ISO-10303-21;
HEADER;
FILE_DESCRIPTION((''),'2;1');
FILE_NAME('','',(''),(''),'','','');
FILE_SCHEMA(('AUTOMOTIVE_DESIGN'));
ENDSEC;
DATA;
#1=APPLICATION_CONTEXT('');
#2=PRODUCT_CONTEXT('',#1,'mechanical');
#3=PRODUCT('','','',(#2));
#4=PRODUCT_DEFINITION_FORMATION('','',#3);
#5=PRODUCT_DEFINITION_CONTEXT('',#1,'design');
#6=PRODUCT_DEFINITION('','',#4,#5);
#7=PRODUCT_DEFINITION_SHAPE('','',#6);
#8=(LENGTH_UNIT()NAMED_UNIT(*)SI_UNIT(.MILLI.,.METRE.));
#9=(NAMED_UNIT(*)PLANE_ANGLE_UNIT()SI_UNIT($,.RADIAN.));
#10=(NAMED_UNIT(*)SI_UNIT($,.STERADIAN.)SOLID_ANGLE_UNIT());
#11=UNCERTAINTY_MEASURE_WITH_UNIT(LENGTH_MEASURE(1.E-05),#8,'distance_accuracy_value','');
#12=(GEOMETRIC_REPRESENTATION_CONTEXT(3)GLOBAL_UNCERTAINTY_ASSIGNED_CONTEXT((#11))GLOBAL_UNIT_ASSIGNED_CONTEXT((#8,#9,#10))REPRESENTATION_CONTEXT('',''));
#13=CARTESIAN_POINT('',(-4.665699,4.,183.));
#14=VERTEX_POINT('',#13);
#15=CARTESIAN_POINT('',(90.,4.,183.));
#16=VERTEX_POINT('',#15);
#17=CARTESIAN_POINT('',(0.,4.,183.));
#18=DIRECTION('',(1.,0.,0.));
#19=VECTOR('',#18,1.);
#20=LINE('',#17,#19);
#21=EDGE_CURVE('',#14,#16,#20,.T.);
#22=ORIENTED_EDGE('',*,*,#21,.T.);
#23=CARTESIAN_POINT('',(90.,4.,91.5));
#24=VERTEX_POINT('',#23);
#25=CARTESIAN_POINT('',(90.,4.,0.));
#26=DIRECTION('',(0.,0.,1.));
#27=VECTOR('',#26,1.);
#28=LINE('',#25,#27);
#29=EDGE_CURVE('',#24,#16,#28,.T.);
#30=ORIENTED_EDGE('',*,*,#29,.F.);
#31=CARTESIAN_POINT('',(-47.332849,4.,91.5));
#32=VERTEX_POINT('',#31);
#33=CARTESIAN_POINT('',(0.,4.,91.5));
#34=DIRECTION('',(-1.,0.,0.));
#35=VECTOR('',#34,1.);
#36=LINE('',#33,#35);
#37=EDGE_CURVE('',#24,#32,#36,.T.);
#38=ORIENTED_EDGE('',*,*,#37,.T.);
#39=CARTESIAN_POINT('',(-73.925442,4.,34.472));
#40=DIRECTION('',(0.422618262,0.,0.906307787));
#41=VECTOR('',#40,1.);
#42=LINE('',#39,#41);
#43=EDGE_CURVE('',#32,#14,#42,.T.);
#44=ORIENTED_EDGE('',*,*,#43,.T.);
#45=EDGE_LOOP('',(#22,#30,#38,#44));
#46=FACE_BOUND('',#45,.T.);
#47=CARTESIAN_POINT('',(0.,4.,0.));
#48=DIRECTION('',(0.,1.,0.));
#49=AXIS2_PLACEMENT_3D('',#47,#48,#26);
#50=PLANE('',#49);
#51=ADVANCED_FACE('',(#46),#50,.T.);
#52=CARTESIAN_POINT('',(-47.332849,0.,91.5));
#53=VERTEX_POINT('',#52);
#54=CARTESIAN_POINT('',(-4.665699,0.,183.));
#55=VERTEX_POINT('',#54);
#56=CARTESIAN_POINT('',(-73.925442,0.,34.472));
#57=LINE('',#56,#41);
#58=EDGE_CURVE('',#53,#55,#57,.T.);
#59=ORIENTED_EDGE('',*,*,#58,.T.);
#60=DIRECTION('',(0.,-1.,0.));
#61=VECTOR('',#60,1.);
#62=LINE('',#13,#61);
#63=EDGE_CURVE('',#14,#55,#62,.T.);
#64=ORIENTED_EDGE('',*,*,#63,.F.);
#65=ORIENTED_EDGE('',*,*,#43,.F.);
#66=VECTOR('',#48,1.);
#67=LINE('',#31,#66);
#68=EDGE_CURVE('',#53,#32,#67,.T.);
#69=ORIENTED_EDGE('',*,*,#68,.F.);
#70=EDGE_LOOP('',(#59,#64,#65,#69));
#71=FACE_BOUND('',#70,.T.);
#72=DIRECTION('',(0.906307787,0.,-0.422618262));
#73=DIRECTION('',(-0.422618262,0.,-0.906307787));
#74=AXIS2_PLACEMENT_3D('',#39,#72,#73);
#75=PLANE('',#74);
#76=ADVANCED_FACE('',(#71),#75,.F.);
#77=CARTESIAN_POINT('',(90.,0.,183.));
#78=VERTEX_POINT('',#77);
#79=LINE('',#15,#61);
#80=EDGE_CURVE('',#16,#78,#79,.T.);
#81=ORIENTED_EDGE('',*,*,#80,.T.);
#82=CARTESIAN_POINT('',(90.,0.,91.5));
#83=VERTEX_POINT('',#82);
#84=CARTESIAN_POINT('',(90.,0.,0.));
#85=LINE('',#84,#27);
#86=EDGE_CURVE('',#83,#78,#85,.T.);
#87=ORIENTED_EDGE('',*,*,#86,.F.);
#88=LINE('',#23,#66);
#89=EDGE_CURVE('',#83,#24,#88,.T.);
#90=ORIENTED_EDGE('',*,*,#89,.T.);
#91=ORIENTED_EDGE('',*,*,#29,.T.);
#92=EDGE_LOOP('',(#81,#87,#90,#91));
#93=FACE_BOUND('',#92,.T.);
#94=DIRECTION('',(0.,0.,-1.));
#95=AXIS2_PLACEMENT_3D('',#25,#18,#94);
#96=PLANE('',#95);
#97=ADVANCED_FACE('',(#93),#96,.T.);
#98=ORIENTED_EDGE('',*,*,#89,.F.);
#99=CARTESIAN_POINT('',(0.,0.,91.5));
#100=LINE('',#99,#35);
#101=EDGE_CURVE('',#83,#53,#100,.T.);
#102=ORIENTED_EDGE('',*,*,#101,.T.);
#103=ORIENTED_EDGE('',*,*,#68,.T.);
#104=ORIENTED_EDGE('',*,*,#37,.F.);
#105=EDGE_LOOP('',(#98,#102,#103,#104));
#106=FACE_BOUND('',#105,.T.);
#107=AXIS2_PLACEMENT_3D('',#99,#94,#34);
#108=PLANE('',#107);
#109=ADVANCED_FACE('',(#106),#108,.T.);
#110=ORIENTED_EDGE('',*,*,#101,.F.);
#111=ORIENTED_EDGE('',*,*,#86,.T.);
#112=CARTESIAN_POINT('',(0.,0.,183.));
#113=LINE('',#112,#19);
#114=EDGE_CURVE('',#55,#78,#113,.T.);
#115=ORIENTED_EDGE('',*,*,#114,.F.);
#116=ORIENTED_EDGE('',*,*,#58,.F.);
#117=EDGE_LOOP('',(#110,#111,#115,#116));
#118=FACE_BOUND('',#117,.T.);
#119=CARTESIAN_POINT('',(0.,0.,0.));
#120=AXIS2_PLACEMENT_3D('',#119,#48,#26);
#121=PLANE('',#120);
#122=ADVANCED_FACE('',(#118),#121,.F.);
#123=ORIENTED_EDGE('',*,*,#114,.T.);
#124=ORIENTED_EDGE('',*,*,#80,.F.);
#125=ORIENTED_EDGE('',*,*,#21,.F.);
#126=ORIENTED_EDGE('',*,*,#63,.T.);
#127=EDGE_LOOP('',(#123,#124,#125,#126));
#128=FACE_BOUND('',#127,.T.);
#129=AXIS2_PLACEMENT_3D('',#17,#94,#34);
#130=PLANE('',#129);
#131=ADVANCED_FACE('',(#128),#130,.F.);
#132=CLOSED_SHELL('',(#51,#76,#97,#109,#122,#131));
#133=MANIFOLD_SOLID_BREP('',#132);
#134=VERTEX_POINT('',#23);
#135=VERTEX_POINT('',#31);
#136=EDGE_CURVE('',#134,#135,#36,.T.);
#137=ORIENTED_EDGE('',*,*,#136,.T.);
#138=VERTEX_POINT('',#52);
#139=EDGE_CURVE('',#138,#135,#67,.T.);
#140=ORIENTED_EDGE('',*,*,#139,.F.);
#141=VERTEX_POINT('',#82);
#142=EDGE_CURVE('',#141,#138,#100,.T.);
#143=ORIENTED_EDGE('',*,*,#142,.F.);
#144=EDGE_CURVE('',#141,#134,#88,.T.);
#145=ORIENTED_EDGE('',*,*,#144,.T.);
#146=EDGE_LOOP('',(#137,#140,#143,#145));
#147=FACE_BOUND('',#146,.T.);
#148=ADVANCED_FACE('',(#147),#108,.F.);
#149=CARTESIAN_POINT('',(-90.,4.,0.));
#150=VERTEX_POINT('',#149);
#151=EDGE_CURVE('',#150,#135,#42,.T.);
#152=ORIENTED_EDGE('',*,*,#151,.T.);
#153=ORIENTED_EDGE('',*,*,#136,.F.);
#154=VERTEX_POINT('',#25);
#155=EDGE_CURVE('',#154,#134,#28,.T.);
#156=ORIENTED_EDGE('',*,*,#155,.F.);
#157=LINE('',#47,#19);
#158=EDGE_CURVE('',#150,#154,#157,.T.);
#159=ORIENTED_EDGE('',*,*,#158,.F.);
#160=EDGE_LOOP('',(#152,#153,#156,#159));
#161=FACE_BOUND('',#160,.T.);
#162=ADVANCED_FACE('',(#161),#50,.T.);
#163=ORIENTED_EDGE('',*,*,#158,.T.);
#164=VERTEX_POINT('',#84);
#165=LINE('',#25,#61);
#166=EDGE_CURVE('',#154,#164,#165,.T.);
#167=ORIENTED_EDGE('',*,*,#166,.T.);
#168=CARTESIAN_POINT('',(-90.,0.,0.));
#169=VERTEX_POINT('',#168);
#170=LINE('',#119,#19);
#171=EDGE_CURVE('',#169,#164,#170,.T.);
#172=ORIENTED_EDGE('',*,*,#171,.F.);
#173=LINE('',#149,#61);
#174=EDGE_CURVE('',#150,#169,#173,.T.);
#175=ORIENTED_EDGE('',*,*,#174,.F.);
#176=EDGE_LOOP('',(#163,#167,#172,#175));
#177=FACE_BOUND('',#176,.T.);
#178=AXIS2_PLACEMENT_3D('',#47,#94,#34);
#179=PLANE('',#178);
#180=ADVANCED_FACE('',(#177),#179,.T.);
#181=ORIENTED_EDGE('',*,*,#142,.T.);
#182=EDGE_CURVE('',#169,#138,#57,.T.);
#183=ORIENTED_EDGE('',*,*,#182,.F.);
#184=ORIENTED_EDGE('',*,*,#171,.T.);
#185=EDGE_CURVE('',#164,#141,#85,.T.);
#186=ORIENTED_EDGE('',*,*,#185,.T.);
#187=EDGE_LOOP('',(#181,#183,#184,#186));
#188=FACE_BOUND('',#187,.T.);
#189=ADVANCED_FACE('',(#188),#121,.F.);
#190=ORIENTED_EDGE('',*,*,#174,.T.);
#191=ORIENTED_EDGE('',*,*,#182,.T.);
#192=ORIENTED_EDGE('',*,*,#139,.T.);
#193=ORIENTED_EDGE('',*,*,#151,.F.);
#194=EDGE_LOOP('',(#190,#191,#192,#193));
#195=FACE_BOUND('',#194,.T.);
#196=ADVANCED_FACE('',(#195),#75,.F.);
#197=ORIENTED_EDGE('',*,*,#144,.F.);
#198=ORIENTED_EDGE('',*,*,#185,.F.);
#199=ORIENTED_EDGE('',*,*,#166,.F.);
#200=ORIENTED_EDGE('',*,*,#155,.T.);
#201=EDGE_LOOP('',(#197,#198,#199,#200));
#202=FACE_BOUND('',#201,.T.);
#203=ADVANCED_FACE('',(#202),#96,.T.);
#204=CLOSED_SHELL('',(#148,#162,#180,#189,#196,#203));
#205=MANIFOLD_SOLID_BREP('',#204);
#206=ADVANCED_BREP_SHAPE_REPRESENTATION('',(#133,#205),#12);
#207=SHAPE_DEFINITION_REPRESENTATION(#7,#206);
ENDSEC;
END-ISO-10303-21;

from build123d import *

# Parameters (mm, degrees)
BOSS_EXTRUDE1_DEPTH = 4


with BuildPart() as part:
    # Sketch1 → Boss-Extrude1 (new body)
    with BuildSketch(Plane(origin=(0, 0, 0), x_dir=(1, 0, 0), z_dir=(0, 1, 0))):
        Polygon((-90, 0), (90, 0), (90, -183), (-4.665698558, -183), align=None)
    extrude(amount=BOSS_EXTRUDE1_DEPTH)


with BuildPart() as body_2:
    # Split1: the piece on the far side of the plane
    add(part.part)
    split(bisect_by=Plane(origin=(0, 0, 91.5), x_dir=(-1, 0, 0), z_dir=(0, 0, -1)), keep=Keep.BOTTOM)


with BuildPart() as part_1:
    add(part.part)

    # Split1
    split(bisect_by=Plane(origin=(0, 0, 91.5), x_dir=(-1, 0, 0), z_dir=(0, 0, -1)), keep=Keep.TOP)


solid = Compound([body_2.part, part_1.part])
